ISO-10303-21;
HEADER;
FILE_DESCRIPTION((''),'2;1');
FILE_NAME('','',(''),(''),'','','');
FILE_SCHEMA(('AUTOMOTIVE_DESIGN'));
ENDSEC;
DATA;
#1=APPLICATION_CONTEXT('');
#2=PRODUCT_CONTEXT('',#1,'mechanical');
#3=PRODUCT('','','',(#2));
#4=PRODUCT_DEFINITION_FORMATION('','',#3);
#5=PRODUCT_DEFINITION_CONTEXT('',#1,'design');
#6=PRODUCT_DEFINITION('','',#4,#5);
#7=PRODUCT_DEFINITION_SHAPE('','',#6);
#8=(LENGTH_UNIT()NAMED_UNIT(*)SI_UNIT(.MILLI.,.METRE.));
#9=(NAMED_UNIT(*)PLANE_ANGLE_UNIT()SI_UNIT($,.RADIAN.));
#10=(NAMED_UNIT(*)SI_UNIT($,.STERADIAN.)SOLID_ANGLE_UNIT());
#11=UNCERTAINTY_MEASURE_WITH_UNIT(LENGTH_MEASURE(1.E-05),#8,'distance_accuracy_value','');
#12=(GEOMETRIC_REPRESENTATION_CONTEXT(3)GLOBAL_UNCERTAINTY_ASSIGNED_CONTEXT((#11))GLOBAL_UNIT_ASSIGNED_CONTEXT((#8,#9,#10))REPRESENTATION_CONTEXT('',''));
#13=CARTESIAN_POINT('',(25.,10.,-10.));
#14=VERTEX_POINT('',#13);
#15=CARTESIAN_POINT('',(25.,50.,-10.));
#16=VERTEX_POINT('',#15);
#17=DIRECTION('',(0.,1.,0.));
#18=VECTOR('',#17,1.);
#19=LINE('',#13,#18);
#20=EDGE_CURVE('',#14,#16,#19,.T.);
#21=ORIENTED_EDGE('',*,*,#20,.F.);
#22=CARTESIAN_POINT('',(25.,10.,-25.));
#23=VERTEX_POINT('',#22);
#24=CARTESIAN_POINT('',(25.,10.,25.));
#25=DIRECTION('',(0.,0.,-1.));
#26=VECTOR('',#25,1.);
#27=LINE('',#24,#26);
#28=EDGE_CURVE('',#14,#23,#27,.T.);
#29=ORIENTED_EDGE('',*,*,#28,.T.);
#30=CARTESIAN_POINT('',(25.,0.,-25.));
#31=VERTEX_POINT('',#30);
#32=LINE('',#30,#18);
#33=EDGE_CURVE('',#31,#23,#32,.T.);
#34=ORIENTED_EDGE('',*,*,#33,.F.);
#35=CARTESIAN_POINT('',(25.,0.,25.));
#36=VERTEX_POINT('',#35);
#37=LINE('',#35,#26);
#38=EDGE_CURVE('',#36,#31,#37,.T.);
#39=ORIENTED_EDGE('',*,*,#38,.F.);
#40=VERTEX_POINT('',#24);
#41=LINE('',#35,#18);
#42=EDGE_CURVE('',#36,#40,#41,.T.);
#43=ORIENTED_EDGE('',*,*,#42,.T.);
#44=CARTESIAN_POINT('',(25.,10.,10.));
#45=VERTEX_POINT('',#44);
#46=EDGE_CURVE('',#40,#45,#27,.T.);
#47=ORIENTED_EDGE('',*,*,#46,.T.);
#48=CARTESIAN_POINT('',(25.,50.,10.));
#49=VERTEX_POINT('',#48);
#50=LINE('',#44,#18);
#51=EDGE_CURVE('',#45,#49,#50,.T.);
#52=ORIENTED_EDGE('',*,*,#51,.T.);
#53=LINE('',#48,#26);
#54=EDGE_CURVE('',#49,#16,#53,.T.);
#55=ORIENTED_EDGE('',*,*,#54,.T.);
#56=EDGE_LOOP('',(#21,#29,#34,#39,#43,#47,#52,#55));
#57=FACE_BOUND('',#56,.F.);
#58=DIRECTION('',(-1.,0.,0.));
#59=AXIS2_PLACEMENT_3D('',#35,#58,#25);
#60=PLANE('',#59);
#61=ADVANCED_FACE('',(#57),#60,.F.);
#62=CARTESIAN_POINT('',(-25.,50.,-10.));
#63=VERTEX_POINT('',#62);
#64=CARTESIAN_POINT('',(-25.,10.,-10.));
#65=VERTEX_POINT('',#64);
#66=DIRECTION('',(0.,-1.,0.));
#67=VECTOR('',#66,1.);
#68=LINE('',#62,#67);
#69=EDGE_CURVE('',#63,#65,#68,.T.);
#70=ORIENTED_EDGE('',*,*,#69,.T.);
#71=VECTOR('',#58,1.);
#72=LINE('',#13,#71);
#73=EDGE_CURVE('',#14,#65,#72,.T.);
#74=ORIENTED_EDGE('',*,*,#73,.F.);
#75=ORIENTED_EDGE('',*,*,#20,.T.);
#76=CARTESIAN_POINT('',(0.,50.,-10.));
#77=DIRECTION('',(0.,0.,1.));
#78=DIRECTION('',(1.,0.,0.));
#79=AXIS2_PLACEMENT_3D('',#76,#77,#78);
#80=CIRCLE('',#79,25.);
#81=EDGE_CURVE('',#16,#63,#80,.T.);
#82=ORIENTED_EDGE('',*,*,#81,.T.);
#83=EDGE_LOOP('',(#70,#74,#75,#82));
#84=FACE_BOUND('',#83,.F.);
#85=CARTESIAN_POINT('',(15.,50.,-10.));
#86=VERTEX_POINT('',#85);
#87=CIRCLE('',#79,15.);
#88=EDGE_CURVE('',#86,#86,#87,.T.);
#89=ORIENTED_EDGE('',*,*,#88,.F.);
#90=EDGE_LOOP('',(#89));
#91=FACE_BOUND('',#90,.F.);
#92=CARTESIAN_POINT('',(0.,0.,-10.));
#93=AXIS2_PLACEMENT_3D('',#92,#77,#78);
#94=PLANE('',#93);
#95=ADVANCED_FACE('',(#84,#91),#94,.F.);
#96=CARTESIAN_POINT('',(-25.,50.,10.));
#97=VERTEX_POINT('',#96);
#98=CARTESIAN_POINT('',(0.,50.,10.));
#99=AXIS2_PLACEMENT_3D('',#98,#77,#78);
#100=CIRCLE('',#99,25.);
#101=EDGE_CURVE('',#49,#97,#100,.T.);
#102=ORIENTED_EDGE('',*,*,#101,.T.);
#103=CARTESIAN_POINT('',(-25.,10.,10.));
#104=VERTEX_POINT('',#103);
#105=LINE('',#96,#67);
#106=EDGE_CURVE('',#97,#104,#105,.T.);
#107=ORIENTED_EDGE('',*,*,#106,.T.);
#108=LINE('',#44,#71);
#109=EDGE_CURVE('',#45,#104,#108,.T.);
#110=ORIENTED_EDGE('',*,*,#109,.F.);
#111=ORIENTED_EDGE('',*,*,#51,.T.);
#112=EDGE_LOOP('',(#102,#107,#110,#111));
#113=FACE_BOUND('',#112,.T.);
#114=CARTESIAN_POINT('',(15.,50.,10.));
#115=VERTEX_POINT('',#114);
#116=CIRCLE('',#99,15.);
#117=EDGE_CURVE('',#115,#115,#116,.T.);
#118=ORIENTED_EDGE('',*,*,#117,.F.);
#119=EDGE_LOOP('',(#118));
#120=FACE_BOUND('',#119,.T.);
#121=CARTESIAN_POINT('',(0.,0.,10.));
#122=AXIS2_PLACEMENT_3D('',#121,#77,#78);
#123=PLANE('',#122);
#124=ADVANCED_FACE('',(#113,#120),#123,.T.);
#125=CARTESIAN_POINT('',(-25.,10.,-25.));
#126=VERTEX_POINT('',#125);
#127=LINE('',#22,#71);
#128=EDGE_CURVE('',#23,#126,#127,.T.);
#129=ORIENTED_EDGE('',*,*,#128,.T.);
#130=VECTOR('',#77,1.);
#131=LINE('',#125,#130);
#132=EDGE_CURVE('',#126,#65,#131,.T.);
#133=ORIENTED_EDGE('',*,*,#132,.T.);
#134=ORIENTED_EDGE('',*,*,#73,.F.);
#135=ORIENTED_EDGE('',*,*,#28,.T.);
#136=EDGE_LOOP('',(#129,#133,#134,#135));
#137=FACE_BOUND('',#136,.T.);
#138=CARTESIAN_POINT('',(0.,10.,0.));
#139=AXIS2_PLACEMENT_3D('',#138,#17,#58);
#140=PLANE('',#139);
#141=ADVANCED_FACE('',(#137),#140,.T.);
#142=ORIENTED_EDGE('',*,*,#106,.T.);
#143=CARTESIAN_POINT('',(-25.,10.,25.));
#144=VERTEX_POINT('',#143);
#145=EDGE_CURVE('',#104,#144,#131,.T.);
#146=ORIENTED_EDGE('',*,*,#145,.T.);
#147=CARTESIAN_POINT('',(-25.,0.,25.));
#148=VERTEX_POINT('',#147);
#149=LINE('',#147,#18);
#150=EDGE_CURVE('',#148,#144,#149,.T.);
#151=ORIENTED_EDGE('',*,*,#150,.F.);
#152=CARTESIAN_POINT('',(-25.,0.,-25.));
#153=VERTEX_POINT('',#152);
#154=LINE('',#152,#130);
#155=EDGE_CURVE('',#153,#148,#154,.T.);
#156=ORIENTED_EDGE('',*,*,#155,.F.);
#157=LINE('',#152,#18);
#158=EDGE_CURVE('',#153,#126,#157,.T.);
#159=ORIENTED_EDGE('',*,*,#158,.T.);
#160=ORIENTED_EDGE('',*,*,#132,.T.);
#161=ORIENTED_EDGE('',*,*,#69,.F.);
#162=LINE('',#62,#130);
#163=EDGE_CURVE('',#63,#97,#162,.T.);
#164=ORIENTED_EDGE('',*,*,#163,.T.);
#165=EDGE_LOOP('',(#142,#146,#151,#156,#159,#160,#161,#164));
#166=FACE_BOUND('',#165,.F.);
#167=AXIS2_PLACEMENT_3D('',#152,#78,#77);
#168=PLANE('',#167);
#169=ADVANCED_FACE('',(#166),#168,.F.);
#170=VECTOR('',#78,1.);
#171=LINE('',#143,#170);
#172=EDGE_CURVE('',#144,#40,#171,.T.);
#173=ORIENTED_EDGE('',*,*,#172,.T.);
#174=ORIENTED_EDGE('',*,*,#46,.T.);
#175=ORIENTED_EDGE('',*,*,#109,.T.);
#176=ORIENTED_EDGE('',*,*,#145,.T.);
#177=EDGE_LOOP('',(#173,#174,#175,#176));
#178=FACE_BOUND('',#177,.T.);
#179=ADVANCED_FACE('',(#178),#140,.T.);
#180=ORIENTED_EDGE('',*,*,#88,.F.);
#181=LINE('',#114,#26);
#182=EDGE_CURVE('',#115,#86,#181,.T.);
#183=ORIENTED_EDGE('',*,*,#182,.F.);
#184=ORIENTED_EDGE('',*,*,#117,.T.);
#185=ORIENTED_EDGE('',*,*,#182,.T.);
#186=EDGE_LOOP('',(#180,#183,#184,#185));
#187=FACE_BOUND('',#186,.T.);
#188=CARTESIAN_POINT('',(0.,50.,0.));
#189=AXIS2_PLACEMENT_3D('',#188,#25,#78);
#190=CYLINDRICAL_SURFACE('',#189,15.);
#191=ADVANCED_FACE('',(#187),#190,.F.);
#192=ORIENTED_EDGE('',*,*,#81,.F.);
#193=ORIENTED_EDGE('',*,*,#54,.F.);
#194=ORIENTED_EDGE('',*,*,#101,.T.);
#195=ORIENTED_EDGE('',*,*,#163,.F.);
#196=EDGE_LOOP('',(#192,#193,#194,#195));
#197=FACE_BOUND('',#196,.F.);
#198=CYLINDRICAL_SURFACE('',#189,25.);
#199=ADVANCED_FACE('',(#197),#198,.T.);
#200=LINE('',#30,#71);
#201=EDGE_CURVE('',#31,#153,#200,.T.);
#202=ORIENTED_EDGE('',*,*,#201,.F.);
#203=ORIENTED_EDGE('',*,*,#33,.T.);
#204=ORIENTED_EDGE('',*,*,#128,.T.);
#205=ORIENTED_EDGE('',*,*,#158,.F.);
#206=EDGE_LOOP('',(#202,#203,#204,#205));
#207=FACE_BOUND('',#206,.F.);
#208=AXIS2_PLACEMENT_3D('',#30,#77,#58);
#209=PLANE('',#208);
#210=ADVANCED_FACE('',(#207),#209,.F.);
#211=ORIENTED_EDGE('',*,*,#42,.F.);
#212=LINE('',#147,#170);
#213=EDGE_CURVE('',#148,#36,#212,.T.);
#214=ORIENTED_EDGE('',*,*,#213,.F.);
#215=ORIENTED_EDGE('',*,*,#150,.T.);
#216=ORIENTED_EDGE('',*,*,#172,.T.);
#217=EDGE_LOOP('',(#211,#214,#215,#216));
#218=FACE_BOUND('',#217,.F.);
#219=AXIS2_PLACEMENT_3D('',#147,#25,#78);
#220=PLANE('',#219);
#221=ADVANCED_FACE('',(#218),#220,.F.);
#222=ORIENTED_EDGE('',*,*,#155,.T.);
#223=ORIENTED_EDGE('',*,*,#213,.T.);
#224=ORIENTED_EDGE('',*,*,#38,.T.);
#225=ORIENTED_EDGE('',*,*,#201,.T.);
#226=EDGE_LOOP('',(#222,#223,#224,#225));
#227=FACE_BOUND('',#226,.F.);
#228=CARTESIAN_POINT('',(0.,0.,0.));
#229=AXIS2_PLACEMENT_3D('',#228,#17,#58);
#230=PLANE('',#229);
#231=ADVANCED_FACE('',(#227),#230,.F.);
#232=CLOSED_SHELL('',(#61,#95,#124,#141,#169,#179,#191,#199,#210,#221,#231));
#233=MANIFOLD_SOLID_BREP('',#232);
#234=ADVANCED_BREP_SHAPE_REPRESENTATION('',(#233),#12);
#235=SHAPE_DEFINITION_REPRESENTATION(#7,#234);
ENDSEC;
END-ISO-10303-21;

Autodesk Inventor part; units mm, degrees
ref_plane "YZ Plane" through (0, 0, 0) normal (1, 0, 0) x (0, 1, 0)
ref_plane "XZ Plane" through (0, 0, 0) normal (0, 1, 0) x (-1, 0, 0)
ref_plane "XY Plane" through (0, 0, 0) normal (0, 0, 1) x (1, 0, 0)
sketch "Sketch1" plane through (0, 0, 0) normal (0, 1, 0) x (-1, 0, 0)
  line L0 (25, 25) -> (-25, 25)
  line L1 (-25, 25) -> (-25, -25)
  line L2 (-25, -25) -> (25, -25)
  line L3 (25, -25) -> (25, 25)
  line L4 (25, 25) -> (-25, -25) construction
  line L5 (-25, 25) -> (25, -25) construction
  point P0 (0, 0)
  dimension "d0" = 50
  dimension "d1" = 50
extrude "Extrusion1" add sketch "Sketch1" along normal blind 10
sketch "Sketch3" plane through (0, 0, 0) normal (0, 0, 1) x (1, 0, 0)
  circle A0 centre (0, 50) radius 25
  circle A1 centre (0, 50) radius 15
  line L0 (-25, 0) -> (25, 0) projected
  line L1 (25, 10) -> (-25, 10) projected
  line L2 (-25, 50) -> (-25, 10)
  line L3 (-25, 10) -> (25, 10)
  line L4 (25, 10) -> (25, 50)
  point P0 (0, 0)
  point P1 (0, 0)
  dimension "d4" = 30
  dimension "d5" = 50
  dimension "d6" = 50
extrude "Extrusion2" add sketch "Sketch3" along normal mid plane 20
properties part number "Manipulator Base"
